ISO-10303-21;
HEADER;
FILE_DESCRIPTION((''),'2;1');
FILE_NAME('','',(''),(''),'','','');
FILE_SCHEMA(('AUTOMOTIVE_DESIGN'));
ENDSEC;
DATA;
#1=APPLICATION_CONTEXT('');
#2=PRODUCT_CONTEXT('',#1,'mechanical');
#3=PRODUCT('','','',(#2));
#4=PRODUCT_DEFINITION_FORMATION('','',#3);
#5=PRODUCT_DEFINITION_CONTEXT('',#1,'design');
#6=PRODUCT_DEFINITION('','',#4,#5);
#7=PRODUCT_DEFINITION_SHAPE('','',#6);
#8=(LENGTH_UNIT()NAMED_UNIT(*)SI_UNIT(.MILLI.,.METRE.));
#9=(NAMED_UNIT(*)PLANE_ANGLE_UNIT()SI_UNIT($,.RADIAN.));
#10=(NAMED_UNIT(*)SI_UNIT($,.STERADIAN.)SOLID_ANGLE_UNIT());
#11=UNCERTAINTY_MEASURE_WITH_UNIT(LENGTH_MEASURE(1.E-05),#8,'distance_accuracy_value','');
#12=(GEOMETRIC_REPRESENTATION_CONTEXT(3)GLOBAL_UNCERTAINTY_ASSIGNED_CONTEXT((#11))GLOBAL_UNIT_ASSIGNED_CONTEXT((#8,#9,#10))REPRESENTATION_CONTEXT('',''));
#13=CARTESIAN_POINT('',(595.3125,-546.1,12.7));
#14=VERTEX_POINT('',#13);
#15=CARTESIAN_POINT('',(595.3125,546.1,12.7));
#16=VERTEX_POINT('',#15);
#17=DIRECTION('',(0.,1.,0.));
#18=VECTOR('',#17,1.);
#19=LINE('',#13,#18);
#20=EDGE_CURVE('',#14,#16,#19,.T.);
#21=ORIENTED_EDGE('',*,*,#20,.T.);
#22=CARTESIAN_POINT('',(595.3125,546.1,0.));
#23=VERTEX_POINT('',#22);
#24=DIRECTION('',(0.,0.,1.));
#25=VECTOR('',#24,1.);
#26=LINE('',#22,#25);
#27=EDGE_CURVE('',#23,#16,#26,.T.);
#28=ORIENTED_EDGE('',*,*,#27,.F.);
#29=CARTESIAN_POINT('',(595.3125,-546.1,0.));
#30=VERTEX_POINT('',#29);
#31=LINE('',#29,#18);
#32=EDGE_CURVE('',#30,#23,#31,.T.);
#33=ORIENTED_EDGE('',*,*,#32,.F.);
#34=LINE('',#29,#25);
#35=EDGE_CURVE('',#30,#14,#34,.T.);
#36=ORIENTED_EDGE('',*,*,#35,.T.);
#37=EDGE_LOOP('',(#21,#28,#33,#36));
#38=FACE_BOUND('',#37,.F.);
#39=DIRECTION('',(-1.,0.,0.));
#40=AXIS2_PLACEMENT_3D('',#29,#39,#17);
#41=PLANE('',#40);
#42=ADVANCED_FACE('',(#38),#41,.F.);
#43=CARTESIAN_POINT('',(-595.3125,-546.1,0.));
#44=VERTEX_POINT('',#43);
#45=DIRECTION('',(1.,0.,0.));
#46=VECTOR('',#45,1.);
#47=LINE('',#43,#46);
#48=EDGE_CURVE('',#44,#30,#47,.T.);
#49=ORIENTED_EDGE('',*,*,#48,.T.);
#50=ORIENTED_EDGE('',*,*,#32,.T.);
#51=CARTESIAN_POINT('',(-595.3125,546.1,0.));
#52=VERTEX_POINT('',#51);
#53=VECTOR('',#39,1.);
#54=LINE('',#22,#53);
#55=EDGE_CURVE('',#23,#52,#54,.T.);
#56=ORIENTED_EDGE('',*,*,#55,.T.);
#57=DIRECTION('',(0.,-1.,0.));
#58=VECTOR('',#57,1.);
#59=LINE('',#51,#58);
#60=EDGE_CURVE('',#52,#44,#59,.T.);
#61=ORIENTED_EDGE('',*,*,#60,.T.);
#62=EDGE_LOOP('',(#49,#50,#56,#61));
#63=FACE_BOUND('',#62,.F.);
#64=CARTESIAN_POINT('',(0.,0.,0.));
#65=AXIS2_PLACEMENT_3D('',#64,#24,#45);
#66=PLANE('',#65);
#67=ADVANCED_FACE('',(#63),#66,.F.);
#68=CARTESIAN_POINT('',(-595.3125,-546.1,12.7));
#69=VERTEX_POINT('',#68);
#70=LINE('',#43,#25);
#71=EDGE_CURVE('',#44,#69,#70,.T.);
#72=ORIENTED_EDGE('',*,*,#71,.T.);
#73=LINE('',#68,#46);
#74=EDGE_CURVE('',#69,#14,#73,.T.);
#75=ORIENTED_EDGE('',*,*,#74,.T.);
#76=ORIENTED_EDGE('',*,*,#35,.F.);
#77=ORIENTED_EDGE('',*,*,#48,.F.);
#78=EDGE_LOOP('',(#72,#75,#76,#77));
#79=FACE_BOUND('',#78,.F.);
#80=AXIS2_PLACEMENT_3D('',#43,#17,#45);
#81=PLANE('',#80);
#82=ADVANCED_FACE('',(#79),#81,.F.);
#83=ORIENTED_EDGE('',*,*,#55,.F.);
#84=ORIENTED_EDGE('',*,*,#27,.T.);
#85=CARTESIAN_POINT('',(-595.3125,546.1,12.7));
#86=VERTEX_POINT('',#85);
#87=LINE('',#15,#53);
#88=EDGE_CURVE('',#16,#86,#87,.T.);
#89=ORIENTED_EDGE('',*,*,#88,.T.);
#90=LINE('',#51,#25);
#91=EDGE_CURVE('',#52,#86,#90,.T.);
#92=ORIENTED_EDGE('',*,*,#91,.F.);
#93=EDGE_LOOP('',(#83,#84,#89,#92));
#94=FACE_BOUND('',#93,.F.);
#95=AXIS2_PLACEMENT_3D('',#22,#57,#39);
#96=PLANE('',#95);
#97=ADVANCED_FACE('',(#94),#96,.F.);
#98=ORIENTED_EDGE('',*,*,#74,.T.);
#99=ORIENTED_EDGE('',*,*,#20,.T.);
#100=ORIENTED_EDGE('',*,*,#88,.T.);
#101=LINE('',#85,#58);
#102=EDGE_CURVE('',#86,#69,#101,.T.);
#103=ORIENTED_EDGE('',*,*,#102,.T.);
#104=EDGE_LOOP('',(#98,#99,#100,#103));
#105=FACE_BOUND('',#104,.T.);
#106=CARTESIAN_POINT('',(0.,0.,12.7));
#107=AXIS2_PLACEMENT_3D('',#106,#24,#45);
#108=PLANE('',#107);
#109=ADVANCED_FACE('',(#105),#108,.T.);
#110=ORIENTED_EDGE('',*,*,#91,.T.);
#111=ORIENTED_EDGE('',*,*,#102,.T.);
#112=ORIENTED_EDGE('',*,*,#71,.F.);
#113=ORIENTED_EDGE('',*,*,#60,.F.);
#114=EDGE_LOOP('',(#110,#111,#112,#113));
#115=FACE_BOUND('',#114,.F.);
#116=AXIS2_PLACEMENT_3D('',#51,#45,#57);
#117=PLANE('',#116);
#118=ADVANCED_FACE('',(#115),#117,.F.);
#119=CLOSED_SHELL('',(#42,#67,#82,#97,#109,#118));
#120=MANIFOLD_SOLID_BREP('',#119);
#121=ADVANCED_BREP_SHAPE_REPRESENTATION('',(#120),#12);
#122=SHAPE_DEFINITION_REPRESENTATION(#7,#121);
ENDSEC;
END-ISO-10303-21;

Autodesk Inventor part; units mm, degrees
ref_plane "YZ Plane" through (0, 0, 0) normal (1, 0, 0) x (0, 1, 0)
ref_plane "XZ Plane" through (0, 0, 0) normal (0, 1, 0) x (-1, 0, 0)
ref_plane "XY Plane" through (0, 0, 0) normal (0, 0, 1) x (1, 0, 0)
sketch "Sketch1" plane through (0, 0, 0) normal (0, 0, 1) x (1, 0, 0)
  line L0 (-595.3125, -546.1) -> (595.3125, -546.1)
  line L1 (595.3125, -546.1) -> (595.3125, 546.1)
  line L2 (595.3125, 546.1) -> (-595.3125, 546.1)
  line L3 (-595.3125, 546.1) -> (-595.3125, -546.1)
  line L4 (-595.3125, -546.1) -> (595.3125, 546.1) construction
  line L5 (595.3125, -546.1) -> (-595.3125, 546.1) construction
  point P0 (0, 0)
  dimension "d0" = 1190.625
  dimension "d1" = 1092.2
extrude "Extrusion1" add sketch "Sketch1" along normal blind 12.7
properties part number "left_0_0"
